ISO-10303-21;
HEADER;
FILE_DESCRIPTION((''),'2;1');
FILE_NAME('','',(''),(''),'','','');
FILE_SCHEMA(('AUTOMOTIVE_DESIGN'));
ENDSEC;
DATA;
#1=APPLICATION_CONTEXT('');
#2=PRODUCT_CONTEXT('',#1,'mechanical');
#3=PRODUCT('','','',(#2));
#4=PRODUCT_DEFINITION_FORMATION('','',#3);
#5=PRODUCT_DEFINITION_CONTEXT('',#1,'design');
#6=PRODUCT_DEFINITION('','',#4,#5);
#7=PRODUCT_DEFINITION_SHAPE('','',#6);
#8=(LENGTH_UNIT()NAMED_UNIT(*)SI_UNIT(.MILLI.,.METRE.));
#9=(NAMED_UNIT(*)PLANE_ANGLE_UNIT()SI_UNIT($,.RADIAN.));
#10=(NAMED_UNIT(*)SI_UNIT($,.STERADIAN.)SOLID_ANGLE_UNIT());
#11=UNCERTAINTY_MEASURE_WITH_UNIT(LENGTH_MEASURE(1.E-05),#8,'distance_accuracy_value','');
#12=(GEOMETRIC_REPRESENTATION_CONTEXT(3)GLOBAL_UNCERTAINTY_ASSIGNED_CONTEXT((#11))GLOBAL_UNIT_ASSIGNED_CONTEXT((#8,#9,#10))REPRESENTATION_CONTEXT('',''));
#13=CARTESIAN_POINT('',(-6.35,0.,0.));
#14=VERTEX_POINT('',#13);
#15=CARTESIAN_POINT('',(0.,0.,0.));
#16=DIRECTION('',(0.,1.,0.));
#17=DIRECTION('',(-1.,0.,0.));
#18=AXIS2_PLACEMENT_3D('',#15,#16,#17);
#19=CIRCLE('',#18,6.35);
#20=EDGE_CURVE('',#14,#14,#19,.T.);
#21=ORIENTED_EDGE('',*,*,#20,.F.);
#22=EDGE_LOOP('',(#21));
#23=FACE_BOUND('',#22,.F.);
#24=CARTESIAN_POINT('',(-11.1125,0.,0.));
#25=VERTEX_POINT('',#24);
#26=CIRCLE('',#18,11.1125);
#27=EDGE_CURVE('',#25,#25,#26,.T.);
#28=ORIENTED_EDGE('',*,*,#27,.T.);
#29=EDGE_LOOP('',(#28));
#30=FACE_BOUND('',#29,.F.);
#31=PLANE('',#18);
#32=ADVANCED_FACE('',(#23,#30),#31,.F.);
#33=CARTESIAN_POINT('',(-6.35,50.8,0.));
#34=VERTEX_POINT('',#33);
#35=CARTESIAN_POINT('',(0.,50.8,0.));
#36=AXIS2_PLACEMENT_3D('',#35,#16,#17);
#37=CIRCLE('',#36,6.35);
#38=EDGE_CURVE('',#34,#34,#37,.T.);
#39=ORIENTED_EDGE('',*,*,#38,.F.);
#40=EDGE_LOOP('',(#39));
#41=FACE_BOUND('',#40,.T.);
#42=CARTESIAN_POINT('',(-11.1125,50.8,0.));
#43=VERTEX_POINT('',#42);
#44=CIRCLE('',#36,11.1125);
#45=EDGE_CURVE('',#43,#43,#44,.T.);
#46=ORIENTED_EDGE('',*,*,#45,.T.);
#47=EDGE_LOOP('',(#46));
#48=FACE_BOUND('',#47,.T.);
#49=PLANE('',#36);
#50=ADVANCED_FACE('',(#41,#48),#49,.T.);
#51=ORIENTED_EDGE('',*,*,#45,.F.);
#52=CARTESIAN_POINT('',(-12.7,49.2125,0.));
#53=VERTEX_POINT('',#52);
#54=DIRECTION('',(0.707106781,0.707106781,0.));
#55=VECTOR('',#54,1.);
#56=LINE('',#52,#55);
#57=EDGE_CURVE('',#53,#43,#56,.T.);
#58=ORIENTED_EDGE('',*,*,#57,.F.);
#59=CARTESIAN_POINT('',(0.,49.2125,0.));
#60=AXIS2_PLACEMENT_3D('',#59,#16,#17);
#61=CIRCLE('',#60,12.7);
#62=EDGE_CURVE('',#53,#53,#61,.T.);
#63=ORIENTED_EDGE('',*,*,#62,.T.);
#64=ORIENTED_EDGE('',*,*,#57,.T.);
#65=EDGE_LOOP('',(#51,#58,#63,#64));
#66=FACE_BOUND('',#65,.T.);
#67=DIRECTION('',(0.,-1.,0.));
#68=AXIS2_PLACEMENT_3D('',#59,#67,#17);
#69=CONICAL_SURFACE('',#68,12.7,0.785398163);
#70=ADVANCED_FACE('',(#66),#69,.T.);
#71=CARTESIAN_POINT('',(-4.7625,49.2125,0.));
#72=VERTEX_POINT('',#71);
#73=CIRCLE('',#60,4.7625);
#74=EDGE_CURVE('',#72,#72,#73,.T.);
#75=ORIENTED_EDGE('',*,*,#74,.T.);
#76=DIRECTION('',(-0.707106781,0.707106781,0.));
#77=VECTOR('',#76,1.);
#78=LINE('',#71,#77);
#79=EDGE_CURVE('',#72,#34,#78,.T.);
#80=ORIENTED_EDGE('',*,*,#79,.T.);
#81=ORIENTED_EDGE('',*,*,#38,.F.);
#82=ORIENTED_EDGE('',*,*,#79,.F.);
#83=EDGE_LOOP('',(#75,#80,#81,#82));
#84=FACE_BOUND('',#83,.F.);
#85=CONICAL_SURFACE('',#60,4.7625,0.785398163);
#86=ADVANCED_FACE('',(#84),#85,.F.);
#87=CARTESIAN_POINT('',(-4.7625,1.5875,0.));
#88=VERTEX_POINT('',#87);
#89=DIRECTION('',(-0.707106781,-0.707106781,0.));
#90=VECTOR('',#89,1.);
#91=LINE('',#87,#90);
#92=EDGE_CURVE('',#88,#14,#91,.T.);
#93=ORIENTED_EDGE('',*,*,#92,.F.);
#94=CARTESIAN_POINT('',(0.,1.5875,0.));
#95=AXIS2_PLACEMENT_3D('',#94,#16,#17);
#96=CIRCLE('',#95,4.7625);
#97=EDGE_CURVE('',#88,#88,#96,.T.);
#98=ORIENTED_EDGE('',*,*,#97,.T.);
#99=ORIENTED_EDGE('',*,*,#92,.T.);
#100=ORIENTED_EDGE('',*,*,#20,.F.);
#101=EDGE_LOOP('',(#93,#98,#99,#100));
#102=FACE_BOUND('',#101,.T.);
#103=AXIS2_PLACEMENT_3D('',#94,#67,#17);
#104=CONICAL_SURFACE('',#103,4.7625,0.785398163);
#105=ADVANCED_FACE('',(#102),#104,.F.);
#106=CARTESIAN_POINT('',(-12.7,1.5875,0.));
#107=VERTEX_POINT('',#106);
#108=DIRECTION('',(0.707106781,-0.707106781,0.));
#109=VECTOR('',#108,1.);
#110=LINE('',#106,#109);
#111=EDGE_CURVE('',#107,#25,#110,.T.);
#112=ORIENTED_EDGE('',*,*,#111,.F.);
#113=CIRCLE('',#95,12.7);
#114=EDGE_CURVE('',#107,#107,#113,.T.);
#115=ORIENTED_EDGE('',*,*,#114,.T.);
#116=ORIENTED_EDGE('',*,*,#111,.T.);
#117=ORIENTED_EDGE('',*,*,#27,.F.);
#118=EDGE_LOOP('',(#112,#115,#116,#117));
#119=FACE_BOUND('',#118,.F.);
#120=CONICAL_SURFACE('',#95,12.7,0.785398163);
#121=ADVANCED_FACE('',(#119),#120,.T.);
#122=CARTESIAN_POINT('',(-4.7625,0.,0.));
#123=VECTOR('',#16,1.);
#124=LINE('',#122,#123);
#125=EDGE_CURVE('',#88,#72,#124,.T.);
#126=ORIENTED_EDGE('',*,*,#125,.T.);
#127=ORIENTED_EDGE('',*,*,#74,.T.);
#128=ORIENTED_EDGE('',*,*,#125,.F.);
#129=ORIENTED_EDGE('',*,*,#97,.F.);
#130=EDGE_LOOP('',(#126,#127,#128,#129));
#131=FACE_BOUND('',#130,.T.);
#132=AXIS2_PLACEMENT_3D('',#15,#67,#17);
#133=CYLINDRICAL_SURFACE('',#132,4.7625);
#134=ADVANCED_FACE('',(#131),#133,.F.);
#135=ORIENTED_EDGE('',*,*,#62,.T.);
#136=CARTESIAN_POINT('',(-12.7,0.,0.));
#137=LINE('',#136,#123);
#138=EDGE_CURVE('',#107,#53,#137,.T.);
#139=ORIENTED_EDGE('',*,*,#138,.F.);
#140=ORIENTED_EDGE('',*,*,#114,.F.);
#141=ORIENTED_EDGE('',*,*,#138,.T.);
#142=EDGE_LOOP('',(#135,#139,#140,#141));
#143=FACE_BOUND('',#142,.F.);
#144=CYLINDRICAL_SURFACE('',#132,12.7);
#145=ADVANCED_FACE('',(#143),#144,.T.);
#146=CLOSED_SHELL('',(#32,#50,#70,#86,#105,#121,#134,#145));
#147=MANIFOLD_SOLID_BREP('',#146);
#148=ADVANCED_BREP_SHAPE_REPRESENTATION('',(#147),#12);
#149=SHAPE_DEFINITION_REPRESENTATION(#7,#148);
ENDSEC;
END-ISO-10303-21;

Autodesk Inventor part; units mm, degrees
ref_plane "YZ Plane" through (0, 0, 0) normal (1, 0, 0) x (0, 1, 0)
ref_plane "XZ Plane" through (0, 0, 0) normal (0, 1, 0) x (-1, 0, 0)
ref_plane "XY Plane" through (0, 0, 0) normal (0, 0, 1) x (1, 0, 0)
sketch "Sketch1" plane through (0, 0, 0) normal (0, 1, 0) x (-1, 0, 0)
  circle A0 centre (0, 0) radius 12.7
  circle A1 centre (0, 0) radius 4.7625
  dimension "d0" = 25.4
  dimension "d1" = 9.525
extrude "Extrusion1" add sketch "Sketch1" along normal blind 50.8
chamfer "Chamfer1" distance 1.5875 angle 45 4 edges at (4.7625, 50.8, 0) (12.7, 50.8, 0) (4.7625, 0, 0) (12.7, 0, 0)
properties part number "Flag Spacer"
